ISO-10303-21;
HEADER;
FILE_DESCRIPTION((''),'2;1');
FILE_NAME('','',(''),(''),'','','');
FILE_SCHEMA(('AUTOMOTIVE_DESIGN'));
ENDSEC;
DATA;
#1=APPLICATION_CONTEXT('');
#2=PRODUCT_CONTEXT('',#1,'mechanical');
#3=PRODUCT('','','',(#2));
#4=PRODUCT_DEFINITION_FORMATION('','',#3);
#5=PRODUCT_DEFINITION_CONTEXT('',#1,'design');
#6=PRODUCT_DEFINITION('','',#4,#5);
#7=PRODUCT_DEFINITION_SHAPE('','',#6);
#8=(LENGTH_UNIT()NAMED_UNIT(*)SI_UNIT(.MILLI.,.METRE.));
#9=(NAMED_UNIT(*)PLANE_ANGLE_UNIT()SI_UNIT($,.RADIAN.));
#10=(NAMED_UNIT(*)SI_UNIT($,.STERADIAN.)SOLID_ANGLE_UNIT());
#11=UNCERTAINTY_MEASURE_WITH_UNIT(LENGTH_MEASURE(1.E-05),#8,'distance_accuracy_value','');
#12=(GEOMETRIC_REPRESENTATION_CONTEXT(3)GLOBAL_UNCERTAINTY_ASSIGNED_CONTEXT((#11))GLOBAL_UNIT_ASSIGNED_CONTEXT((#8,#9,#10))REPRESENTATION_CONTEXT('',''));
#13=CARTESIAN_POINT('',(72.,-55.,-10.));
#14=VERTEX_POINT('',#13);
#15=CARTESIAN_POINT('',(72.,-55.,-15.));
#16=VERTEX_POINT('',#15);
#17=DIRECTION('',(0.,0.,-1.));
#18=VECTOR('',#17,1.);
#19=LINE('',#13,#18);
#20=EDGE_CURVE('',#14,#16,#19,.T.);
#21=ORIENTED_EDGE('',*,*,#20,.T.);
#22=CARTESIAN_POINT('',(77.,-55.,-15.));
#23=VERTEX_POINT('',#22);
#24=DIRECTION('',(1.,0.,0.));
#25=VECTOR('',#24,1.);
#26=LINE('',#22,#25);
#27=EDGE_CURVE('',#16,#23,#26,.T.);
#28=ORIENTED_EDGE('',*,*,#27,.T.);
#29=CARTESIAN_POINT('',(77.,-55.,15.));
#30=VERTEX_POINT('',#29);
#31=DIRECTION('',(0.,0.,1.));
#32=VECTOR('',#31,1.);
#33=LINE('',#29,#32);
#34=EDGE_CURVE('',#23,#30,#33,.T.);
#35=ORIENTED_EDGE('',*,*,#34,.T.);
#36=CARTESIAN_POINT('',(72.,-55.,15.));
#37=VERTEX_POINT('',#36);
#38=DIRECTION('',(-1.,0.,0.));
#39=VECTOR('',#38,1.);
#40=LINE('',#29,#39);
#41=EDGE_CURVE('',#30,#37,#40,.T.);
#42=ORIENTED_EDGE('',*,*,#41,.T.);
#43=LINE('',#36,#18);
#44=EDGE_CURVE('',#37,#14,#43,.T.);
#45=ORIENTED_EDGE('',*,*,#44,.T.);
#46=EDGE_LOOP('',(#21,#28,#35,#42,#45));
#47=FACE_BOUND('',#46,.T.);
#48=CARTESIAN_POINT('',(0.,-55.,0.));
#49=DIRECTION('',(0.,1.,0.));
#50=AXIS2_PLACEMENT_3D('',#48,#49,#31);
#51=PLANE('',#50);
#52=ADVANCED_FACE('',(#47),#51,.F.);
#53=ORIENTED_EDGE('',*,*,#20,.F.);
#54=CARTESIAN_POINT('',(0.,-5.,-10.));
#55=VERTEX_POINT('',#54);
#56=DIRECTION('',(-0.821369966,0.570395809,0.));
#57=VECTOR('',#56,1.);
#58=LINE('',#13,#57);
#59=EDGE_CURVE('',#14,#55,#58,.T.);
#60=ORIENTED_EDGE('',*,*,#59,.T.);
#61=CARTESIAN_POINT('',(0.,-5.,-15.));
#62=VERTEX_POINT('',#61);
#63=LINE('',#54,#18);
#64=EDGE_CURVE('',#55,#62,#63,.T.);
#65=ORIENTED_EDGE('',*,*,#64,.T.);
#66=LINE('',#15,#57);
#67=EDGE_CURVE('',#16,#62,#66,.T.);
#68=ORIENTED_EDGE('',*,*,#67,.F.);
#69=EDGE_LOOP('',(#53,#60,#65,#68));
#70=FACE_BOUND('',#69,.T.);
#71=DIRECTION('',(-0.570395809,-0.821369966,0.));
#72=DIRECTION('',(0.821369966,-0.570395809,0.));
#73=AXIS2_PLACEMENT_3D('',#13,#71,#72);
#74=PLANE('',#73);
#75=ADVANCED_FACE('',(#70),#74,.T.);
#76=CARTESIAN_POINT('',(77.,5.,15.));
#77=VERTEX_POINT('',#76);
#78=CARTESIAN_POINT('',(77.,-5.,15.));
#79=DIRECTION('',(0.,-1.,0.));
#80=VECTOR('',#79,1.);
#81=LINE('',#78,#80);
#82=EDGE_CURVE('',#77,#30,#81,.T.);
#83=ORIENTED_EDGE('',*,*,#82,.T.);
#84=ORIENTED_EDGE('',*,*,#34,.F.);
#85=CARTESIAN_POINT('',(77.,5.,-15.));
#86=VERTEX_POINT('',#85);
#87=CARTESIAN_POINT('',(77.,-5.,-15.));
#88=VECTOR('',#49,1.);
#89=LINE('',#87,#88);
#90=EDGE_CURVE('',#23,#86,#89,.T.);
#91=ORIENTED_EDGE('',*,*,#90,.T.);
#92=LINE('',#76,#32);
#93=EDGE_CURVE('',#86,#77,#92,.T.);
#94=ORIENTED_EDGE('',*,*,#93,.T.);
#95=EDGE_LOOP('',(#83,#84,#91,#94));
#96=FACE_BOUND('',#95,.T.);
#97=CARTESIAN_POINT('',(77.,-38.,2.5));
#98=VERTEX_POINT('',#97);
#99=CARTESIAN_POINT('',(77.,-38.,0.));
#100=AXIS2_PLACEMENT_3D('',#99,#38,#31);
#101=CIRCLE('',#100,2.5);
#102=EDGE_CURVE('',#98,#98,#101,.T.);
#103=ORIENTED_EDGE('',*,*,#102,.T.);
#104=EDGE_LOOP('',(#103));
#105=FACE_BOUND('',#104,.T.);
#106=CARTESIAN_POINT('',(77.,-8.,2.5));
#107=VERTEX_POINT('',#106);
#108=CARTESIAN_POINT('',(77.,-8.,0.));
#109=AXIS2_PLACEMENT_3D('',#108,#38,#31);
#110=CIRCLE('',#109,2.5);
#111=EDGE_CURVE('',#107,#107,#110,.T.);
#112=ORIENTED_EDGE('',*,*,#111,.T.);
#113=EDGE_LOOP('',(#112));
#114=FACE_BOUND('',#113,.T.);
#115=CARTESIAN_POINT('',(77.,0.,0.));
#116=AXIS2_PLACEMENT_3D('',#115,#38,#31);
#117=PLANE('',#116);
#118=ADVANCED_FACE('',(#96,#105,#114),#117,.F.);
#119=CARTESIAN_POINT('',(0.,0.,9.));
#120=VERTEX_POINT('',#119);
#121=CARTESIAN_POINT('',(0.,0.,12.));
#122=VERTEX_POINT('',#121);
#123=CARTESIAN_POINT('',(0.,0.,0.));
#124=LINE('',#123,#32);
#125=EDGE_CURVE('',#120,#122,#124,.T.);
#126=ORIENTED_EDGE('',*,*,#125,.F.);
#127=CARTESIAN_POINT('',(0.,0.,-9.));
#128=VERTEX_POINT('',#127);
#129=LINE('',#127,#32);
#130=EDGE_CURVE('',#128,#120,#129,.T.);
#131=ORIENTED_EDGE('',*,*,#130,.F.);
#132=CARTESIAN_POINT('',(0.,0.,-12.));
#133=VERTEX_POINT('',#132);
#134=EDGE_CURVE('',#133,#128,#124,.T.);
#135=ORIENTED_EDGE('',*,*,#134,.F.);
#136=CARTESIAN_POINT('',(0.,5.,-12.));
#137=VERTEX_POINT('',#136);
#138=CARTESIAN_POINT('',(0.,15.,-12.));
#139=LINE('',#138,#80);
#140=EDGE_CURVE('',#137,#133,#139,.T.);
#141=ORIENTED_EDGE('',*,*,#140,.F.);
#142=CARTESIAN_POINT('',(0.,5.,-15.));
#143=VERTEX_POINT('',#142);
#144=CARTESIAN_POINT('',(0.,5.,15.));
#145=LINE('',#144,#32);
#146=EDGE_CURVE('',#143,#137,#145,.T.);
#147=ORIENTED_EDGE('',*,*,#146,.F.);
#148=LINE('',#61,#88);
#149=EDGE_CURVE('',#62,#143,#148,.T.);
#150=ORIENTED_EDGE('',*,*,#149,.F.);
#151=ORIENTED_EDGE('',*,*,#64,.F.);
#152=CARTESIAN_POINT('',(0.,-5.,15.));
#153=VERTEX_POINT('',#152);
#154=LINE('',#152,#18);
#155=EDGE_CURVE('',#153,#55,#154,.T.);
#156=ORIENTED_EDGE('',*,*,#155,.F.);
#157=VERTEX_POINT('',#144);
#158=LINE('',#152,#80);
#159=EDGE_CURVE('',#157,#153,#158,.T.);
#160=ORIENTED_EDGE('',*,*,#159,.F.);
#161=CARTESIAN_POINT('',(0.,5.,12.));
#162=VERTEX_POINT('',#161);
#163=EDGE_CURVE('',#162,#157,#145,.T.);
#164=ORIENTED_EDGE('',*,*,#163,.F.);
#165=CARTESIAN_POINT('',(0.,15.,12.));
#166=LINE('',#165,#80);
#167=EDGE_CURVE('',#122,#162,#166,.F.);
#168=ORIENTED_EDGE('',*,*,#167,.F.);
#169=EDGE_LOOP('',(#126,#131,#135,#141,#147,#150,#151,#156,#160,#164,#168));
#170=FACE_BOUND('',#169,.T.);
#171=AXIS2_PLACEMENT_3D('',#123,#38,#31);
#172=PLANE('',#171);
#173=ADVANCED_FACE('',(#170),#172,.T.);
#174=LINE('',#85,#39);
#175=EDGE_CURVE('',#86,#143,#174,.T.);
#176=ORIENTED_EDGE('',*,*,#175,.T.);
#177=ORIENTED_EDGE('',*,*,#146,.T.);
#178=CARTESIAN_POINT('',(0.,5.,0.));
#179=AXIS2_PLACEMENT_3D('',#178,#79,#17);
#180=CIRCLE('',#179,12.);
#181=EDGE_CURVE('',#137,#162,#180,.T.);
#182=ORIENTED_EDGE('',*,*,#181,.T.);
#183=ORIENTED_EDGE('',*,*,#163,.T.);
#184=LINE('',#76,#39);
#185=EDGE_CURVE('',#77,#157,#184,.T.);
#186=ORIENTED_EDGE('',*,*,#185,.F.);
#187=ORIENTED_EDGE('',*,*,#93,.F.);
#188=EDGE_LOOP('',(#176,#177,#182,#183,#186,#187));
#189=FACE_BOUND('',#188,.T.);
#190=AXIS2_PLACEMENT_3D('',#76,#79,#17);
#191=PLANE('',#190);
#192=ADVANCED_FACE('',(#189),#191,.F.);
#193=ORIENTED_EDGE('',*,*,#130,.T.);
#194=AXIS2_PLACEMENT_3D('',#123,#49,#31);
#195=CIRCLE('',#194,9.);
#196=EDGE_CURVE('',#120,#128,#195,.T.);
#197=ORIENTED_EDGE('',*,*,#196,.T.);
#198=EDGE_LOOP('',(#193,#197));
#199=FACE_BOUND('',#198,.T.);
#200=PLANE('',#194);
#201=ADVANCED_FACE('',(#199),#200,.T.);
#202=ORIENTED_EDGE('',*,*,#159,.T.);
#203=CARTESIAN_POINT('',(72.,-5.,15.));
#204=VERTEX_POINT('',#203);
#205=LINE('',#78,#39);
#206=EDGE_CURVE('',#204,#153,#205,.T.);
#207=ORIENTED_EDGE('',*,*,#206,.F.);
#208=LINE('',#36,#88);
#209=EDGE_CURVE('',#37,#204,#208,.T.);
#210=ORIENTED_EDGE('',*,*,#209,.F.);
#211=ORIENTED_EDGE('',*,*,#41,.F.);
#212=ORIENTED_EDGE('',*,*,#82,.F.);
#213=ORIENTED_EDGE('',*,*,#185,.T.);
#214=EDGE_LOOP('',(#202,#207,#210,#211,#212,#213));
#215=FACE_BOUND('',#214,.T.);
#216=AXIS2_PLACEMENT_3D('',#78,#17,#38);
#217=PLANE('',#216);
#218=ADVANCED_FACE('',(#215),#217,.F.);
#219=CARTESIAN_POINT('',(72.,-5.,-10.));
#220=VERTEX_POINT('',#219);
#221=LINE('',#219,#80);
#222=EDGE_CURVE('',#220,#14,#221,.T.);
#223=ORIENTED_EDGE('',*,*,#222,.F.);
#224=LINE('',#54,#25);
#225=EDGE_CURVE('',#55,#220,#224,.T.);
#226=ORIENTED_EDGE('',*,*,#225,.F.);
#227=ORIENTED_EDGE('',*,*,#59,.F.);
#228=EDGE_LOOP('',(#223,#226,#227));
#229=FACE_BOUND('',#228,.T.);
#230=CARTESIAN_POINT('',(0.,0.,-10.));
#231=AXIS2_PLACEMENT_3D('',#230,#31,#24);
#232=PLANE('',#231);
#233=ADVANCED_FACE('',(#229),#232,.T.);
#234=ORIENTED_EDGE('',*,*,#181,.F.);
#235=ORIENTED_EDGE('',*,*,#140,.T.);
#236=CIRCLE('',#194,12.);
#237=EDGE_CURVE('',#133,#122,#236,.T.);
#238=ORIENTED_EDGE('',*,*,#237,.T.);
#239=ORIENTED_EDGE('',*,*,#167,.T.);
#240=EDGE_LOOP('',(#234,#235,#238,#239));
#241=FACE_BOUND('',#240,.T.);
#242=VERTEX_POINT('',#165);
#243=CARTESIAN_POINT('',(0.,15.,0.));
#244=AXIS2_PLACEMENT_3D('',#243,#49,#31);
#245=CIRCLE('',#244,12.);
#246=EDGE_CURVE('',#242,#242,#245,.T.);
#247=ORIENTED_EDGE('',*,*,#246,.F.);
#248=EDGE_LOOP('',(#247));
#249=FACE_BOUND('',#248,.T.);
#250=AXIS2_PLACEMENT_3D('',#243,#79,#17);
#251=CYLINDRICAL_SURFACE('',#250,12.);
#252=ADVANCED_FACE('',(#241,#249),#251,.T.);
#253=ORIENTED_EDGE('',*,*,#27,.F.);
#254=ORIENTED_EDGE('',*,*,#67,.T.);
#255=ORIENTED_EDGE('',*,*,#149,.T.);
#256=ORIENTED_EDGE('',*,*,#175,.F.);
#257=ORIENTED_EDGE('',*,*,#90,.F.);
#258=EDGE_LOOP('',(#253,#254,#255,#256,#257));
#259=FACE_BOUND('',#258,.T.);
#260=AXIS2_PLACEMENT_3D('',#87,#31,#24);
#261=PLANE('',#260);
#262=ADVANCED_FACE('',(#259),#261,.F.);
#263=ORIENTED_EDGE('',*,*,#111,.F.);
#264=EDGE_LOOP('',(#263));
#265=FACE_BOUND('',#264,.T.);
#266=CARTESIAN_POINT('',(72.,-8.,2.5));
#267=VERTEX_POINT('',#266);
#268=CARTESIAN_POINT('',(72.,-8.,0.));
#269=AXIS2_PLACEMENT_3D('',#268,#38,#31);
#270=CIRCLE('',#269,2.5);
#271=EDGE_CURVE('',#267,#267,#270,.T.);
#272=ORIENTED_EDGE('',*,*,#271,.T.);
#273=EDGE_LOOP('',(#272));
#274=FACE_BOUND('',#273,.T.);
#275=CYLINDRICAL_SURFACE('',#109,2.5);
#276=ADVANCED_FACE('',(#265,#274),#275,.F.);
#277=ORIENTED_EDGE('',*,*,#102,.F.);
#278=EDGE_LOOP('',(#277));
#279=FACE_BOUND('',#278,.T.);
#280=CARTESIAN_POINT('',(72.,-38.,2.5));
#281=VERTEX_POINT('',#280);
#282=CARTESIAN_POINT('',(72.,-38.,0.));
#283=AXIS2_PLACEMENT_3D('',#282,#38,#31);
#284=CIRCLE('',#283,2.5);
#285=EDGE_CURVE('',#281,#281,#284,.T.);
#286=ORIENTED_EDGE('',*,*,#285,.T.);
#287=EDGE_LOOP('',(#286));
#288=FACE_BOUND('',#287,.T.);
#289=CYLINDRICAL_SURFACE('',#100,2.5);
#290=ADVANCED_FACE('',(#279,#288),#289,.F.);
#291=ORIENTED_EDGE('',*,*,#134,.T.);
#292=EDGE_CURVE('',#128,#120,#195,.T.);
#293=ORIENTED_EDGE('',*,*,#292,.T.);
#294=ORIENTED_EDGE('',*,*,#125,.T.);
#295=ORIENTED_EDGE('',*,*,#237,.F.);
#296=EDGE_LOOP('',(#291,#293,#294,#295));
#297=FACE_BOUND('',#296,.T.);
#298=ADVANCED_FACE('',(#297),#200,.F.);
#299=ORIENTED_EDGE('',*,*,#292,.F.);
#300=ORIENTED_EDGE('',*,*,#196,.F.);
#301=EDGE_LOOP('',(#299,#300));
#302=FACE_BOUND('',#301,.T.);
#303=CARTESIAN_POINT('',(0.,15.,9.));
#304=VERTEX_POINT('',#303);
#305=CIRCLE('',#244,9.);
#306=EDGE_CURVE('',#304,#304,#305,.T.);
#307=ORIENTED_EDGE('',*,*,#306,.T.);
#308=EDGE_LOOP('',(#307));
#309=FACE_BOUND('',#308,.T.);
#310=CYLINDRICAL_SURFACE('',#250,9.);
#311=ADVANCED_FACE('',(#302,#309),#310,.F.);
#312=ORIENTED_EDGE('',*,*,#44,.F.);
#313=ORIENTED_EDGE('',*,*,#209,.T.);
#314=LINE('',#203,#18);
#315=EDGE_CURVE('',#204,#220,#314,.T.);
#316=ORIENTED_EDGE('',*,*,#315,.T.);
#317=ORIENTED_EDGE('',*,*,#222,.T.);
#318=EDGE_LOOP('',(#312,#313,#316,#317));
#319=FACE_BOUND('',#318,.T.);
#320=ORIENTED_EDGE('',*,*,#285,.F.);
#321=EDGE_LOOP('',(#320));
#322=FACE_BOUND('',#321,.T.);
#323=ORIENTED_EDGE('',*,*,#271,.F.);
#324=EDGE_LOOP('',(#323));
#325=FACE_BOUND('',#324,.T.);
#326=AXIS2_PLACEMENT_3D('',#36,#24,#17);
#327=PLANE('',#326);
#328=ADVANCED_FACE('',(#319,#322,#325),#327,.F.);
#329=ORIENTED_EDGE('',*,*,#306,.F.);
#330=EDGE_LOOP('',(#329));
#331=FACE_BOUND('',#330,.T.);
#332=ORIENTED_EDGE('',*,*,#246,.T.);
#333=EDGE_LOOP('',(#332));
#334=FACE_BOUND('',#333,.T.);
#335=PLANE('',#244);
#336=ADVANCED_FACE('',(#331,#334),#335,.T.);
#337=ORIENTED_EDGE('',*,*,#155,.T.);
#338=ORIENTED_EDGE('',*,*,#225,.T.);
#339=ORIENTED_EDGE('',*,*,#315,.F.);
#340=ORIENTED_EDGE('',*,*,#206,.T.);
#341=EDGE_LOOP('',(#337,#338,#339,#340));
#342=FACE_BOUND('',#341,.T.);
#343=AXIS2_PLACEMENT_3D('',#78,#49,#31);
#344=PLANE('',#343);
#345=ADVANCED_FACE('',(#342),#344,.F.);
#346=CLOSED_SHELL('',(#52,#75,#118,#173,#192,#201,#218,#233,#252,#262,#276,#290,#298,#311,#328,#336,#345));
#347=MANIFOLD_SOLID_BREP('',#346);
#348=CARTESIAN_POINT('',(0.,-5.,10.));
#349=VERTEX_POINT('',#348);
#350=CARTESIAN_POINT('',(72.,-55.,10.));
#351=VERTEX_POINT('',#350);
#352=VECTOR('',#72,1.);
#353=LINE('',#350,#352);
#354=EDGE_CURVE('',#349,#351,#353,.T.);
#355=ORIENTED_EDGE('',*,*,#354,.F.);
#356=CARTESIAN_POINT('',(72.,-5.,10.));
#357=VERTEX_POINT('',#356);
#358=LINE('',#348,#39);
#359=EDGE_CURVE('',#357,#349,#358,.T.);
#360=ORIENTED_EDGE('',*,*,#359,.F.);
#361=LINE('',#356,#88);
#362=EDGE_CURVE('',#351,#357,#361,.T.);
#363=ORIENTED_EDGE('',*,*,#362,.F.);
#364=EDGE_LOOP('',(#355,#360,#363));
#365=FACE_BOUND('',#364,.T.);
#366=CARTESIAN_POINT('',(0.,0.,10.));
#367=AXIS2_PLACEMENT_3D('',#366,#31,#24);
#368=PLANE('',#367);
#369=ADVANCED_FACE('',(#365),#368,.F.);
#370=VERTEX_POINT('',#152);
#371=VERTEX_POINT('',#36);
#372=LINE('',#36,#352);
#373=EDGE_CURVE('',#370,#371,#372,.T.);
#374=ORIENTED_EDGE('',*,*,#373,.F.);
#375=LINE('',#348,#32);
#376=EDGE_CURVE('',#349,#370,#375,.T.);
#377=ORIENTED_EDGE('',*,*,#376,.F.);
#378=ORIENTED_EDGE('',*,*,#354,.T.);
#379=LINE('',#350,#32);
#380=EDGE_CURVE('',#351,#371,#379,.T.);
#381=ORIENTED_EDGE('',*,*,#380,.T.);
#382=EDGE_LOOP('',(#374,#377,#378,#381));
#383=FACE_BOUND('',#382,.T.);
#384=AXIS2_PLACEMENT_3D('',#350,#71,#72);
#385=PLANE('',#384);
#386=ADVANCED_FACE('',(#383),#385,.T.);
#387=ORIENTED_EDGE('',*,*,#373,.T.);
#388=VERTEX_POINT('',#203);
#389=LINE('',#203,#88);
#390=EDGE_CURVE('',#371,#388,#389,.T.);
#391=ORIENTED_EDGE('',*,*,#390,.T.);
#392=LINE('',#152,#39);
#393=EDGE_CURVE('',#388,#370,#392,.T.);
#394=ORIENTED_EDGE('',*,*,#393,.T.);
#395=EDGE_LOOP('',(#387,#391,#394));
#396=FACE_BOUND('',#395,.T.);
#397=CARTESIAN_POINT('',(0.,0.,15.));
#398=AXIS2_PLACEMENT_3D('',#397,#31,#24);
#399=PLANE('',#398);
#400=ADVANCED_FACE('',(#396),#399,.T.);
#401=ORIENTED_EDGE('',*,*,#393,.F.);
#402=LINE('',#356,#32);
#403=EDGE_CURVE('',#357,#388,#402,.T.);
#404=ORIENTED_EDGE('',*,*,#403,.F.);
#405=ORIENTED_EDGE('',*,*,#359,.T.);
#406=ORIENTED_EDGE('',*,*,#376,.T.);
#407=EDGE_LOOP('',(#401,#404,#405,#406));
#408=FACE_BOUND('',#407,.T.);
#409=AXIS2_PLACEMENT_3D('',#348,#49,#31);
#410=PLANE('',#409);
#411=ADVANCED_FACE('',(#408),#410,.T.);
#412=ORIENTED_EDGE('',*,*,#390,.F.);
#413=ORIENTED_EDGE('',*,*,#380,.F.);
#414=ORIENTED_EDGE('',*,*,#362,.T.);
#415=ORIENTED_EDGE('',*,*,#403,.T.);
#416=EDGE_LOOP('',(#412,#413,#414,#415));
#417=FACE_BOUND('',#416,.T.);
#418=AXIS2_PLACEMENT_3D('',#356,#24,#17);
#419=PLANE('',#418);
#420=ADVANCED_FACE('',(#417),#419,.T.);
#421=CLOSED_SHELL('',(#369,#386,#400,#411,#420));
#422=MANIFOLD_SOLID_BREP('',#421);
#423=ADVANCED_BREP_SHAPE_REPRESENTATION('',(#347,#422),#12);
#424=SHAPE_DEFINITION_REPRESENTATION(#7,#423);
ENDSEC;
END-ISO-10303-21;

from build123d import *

# Parameters (mm, degrees)
SKETCH1_R           = 12
SKETCH1_R_2         = 9
BOSS_EXTRUDE1_DEPTH = 15
SKETCH2_W           = 30
SKETCH2_H           = 10
BOSS_EXTRUDE2_DEPTH = 77
CUT_EXTRUDE3_DEPTH  = 5
SKETCH5_W           = 5
SKETCH5_H           = 30
BOSS_EXTRUDE3_DEPTH = 50
SKETCH6_R           = 2.5
CUT_EXTRUDE4_DEPTH  = 5
BOSS_EXTRUDE4_DEPTH = 5
BOSS_EXTRUDE5_DEPTH = 5


with BuildPart() as part:
    # Sketch1 → Boss-Extrude1 (new body)
    with BuildSketch(Plane(origin=(0, 0, 0), x_dir=(1, 0, 0), z_dir=(0, 1, 0))):
        Circle(SKETCH1_R)
        Circle(SKETCH1_R_2, mode=Mode.SUBTRACT)
    extrude(amount=BOSS_EXTRUDE1_DEPTH)

    # Sketch2 → Boss-Extrude2 (add)
    with BuildSketch(Plane(origin=(0, 0, 0), x_dir=(0, 0, -1), z_dir=(1, 0, 0))):
        Rectangle(SKETCH2_W, SKETCH2_H)
    extrude(amount=BOSS_EXTRUDE2_DEPTH)

    # Sketch4 → Cut-Extrude3 (cut)
    with BuildSketch(Plane(origin=(0, 5, 0), x_dir=(1, 0, 0), z_dir=(0, 1, 0))):
        with BuildLine():
            Line((0, 9), (0, -9))
            ThreePointArc((0, -9), (9, 0), (0, 9))
        make_face()
    extrude(amount=-CUT_EXTRUDE3_DEPTH, mode=Mode.SUBTRACT)

    # Sketch5 → Boss-Extrude3 (add)
    with BuildSketch(Plane.XZ.offset(5)):
        with Locations((74.5, 0)):
            Rectangle(SKETCH5_W, SKETCH5_H)
    extrude(amount=BOSS_EXTRUDE3_DEPTH)

    # Sketch6 → Cut-Extrude4 (cut)
    with BuildSketch(Plane.ZY.offset(-72)):
        with Locations((0, -8)):
            Circle(SKETCH6_R)
        with Locations((0, -38)):
            Circle(SKETCH6_R)
    extrude(amount=-CUT_EXTRUDE4_DEPTH, mode=Mode.SUBTRACT)

    # Sketch7 → Boss-Extrude4 (add)
    with BuildSketch(Plane(origin=(0, 0, -15), x_dir=(-1, 0, 0), z_dir=(0, 0, -1))):
        Polygon((-72, -55), (0, -5), (-72, -5), align=None)
    extrude(amount=-BOSS_EXTRUDE4_DEPTH)


with BuildPart() as body_2:
    # Sketch8 → Boss-Extrude5 (new body)
    with BuildSketch(Plane.XY.offset(15)):
        Polygon((0, -5), (72, -5), (72, -55), align=None)
    extrude(amount=-BOSS_EXTRUDE5_DEPTH)


solid = Compound([part.part, body_2.part])
